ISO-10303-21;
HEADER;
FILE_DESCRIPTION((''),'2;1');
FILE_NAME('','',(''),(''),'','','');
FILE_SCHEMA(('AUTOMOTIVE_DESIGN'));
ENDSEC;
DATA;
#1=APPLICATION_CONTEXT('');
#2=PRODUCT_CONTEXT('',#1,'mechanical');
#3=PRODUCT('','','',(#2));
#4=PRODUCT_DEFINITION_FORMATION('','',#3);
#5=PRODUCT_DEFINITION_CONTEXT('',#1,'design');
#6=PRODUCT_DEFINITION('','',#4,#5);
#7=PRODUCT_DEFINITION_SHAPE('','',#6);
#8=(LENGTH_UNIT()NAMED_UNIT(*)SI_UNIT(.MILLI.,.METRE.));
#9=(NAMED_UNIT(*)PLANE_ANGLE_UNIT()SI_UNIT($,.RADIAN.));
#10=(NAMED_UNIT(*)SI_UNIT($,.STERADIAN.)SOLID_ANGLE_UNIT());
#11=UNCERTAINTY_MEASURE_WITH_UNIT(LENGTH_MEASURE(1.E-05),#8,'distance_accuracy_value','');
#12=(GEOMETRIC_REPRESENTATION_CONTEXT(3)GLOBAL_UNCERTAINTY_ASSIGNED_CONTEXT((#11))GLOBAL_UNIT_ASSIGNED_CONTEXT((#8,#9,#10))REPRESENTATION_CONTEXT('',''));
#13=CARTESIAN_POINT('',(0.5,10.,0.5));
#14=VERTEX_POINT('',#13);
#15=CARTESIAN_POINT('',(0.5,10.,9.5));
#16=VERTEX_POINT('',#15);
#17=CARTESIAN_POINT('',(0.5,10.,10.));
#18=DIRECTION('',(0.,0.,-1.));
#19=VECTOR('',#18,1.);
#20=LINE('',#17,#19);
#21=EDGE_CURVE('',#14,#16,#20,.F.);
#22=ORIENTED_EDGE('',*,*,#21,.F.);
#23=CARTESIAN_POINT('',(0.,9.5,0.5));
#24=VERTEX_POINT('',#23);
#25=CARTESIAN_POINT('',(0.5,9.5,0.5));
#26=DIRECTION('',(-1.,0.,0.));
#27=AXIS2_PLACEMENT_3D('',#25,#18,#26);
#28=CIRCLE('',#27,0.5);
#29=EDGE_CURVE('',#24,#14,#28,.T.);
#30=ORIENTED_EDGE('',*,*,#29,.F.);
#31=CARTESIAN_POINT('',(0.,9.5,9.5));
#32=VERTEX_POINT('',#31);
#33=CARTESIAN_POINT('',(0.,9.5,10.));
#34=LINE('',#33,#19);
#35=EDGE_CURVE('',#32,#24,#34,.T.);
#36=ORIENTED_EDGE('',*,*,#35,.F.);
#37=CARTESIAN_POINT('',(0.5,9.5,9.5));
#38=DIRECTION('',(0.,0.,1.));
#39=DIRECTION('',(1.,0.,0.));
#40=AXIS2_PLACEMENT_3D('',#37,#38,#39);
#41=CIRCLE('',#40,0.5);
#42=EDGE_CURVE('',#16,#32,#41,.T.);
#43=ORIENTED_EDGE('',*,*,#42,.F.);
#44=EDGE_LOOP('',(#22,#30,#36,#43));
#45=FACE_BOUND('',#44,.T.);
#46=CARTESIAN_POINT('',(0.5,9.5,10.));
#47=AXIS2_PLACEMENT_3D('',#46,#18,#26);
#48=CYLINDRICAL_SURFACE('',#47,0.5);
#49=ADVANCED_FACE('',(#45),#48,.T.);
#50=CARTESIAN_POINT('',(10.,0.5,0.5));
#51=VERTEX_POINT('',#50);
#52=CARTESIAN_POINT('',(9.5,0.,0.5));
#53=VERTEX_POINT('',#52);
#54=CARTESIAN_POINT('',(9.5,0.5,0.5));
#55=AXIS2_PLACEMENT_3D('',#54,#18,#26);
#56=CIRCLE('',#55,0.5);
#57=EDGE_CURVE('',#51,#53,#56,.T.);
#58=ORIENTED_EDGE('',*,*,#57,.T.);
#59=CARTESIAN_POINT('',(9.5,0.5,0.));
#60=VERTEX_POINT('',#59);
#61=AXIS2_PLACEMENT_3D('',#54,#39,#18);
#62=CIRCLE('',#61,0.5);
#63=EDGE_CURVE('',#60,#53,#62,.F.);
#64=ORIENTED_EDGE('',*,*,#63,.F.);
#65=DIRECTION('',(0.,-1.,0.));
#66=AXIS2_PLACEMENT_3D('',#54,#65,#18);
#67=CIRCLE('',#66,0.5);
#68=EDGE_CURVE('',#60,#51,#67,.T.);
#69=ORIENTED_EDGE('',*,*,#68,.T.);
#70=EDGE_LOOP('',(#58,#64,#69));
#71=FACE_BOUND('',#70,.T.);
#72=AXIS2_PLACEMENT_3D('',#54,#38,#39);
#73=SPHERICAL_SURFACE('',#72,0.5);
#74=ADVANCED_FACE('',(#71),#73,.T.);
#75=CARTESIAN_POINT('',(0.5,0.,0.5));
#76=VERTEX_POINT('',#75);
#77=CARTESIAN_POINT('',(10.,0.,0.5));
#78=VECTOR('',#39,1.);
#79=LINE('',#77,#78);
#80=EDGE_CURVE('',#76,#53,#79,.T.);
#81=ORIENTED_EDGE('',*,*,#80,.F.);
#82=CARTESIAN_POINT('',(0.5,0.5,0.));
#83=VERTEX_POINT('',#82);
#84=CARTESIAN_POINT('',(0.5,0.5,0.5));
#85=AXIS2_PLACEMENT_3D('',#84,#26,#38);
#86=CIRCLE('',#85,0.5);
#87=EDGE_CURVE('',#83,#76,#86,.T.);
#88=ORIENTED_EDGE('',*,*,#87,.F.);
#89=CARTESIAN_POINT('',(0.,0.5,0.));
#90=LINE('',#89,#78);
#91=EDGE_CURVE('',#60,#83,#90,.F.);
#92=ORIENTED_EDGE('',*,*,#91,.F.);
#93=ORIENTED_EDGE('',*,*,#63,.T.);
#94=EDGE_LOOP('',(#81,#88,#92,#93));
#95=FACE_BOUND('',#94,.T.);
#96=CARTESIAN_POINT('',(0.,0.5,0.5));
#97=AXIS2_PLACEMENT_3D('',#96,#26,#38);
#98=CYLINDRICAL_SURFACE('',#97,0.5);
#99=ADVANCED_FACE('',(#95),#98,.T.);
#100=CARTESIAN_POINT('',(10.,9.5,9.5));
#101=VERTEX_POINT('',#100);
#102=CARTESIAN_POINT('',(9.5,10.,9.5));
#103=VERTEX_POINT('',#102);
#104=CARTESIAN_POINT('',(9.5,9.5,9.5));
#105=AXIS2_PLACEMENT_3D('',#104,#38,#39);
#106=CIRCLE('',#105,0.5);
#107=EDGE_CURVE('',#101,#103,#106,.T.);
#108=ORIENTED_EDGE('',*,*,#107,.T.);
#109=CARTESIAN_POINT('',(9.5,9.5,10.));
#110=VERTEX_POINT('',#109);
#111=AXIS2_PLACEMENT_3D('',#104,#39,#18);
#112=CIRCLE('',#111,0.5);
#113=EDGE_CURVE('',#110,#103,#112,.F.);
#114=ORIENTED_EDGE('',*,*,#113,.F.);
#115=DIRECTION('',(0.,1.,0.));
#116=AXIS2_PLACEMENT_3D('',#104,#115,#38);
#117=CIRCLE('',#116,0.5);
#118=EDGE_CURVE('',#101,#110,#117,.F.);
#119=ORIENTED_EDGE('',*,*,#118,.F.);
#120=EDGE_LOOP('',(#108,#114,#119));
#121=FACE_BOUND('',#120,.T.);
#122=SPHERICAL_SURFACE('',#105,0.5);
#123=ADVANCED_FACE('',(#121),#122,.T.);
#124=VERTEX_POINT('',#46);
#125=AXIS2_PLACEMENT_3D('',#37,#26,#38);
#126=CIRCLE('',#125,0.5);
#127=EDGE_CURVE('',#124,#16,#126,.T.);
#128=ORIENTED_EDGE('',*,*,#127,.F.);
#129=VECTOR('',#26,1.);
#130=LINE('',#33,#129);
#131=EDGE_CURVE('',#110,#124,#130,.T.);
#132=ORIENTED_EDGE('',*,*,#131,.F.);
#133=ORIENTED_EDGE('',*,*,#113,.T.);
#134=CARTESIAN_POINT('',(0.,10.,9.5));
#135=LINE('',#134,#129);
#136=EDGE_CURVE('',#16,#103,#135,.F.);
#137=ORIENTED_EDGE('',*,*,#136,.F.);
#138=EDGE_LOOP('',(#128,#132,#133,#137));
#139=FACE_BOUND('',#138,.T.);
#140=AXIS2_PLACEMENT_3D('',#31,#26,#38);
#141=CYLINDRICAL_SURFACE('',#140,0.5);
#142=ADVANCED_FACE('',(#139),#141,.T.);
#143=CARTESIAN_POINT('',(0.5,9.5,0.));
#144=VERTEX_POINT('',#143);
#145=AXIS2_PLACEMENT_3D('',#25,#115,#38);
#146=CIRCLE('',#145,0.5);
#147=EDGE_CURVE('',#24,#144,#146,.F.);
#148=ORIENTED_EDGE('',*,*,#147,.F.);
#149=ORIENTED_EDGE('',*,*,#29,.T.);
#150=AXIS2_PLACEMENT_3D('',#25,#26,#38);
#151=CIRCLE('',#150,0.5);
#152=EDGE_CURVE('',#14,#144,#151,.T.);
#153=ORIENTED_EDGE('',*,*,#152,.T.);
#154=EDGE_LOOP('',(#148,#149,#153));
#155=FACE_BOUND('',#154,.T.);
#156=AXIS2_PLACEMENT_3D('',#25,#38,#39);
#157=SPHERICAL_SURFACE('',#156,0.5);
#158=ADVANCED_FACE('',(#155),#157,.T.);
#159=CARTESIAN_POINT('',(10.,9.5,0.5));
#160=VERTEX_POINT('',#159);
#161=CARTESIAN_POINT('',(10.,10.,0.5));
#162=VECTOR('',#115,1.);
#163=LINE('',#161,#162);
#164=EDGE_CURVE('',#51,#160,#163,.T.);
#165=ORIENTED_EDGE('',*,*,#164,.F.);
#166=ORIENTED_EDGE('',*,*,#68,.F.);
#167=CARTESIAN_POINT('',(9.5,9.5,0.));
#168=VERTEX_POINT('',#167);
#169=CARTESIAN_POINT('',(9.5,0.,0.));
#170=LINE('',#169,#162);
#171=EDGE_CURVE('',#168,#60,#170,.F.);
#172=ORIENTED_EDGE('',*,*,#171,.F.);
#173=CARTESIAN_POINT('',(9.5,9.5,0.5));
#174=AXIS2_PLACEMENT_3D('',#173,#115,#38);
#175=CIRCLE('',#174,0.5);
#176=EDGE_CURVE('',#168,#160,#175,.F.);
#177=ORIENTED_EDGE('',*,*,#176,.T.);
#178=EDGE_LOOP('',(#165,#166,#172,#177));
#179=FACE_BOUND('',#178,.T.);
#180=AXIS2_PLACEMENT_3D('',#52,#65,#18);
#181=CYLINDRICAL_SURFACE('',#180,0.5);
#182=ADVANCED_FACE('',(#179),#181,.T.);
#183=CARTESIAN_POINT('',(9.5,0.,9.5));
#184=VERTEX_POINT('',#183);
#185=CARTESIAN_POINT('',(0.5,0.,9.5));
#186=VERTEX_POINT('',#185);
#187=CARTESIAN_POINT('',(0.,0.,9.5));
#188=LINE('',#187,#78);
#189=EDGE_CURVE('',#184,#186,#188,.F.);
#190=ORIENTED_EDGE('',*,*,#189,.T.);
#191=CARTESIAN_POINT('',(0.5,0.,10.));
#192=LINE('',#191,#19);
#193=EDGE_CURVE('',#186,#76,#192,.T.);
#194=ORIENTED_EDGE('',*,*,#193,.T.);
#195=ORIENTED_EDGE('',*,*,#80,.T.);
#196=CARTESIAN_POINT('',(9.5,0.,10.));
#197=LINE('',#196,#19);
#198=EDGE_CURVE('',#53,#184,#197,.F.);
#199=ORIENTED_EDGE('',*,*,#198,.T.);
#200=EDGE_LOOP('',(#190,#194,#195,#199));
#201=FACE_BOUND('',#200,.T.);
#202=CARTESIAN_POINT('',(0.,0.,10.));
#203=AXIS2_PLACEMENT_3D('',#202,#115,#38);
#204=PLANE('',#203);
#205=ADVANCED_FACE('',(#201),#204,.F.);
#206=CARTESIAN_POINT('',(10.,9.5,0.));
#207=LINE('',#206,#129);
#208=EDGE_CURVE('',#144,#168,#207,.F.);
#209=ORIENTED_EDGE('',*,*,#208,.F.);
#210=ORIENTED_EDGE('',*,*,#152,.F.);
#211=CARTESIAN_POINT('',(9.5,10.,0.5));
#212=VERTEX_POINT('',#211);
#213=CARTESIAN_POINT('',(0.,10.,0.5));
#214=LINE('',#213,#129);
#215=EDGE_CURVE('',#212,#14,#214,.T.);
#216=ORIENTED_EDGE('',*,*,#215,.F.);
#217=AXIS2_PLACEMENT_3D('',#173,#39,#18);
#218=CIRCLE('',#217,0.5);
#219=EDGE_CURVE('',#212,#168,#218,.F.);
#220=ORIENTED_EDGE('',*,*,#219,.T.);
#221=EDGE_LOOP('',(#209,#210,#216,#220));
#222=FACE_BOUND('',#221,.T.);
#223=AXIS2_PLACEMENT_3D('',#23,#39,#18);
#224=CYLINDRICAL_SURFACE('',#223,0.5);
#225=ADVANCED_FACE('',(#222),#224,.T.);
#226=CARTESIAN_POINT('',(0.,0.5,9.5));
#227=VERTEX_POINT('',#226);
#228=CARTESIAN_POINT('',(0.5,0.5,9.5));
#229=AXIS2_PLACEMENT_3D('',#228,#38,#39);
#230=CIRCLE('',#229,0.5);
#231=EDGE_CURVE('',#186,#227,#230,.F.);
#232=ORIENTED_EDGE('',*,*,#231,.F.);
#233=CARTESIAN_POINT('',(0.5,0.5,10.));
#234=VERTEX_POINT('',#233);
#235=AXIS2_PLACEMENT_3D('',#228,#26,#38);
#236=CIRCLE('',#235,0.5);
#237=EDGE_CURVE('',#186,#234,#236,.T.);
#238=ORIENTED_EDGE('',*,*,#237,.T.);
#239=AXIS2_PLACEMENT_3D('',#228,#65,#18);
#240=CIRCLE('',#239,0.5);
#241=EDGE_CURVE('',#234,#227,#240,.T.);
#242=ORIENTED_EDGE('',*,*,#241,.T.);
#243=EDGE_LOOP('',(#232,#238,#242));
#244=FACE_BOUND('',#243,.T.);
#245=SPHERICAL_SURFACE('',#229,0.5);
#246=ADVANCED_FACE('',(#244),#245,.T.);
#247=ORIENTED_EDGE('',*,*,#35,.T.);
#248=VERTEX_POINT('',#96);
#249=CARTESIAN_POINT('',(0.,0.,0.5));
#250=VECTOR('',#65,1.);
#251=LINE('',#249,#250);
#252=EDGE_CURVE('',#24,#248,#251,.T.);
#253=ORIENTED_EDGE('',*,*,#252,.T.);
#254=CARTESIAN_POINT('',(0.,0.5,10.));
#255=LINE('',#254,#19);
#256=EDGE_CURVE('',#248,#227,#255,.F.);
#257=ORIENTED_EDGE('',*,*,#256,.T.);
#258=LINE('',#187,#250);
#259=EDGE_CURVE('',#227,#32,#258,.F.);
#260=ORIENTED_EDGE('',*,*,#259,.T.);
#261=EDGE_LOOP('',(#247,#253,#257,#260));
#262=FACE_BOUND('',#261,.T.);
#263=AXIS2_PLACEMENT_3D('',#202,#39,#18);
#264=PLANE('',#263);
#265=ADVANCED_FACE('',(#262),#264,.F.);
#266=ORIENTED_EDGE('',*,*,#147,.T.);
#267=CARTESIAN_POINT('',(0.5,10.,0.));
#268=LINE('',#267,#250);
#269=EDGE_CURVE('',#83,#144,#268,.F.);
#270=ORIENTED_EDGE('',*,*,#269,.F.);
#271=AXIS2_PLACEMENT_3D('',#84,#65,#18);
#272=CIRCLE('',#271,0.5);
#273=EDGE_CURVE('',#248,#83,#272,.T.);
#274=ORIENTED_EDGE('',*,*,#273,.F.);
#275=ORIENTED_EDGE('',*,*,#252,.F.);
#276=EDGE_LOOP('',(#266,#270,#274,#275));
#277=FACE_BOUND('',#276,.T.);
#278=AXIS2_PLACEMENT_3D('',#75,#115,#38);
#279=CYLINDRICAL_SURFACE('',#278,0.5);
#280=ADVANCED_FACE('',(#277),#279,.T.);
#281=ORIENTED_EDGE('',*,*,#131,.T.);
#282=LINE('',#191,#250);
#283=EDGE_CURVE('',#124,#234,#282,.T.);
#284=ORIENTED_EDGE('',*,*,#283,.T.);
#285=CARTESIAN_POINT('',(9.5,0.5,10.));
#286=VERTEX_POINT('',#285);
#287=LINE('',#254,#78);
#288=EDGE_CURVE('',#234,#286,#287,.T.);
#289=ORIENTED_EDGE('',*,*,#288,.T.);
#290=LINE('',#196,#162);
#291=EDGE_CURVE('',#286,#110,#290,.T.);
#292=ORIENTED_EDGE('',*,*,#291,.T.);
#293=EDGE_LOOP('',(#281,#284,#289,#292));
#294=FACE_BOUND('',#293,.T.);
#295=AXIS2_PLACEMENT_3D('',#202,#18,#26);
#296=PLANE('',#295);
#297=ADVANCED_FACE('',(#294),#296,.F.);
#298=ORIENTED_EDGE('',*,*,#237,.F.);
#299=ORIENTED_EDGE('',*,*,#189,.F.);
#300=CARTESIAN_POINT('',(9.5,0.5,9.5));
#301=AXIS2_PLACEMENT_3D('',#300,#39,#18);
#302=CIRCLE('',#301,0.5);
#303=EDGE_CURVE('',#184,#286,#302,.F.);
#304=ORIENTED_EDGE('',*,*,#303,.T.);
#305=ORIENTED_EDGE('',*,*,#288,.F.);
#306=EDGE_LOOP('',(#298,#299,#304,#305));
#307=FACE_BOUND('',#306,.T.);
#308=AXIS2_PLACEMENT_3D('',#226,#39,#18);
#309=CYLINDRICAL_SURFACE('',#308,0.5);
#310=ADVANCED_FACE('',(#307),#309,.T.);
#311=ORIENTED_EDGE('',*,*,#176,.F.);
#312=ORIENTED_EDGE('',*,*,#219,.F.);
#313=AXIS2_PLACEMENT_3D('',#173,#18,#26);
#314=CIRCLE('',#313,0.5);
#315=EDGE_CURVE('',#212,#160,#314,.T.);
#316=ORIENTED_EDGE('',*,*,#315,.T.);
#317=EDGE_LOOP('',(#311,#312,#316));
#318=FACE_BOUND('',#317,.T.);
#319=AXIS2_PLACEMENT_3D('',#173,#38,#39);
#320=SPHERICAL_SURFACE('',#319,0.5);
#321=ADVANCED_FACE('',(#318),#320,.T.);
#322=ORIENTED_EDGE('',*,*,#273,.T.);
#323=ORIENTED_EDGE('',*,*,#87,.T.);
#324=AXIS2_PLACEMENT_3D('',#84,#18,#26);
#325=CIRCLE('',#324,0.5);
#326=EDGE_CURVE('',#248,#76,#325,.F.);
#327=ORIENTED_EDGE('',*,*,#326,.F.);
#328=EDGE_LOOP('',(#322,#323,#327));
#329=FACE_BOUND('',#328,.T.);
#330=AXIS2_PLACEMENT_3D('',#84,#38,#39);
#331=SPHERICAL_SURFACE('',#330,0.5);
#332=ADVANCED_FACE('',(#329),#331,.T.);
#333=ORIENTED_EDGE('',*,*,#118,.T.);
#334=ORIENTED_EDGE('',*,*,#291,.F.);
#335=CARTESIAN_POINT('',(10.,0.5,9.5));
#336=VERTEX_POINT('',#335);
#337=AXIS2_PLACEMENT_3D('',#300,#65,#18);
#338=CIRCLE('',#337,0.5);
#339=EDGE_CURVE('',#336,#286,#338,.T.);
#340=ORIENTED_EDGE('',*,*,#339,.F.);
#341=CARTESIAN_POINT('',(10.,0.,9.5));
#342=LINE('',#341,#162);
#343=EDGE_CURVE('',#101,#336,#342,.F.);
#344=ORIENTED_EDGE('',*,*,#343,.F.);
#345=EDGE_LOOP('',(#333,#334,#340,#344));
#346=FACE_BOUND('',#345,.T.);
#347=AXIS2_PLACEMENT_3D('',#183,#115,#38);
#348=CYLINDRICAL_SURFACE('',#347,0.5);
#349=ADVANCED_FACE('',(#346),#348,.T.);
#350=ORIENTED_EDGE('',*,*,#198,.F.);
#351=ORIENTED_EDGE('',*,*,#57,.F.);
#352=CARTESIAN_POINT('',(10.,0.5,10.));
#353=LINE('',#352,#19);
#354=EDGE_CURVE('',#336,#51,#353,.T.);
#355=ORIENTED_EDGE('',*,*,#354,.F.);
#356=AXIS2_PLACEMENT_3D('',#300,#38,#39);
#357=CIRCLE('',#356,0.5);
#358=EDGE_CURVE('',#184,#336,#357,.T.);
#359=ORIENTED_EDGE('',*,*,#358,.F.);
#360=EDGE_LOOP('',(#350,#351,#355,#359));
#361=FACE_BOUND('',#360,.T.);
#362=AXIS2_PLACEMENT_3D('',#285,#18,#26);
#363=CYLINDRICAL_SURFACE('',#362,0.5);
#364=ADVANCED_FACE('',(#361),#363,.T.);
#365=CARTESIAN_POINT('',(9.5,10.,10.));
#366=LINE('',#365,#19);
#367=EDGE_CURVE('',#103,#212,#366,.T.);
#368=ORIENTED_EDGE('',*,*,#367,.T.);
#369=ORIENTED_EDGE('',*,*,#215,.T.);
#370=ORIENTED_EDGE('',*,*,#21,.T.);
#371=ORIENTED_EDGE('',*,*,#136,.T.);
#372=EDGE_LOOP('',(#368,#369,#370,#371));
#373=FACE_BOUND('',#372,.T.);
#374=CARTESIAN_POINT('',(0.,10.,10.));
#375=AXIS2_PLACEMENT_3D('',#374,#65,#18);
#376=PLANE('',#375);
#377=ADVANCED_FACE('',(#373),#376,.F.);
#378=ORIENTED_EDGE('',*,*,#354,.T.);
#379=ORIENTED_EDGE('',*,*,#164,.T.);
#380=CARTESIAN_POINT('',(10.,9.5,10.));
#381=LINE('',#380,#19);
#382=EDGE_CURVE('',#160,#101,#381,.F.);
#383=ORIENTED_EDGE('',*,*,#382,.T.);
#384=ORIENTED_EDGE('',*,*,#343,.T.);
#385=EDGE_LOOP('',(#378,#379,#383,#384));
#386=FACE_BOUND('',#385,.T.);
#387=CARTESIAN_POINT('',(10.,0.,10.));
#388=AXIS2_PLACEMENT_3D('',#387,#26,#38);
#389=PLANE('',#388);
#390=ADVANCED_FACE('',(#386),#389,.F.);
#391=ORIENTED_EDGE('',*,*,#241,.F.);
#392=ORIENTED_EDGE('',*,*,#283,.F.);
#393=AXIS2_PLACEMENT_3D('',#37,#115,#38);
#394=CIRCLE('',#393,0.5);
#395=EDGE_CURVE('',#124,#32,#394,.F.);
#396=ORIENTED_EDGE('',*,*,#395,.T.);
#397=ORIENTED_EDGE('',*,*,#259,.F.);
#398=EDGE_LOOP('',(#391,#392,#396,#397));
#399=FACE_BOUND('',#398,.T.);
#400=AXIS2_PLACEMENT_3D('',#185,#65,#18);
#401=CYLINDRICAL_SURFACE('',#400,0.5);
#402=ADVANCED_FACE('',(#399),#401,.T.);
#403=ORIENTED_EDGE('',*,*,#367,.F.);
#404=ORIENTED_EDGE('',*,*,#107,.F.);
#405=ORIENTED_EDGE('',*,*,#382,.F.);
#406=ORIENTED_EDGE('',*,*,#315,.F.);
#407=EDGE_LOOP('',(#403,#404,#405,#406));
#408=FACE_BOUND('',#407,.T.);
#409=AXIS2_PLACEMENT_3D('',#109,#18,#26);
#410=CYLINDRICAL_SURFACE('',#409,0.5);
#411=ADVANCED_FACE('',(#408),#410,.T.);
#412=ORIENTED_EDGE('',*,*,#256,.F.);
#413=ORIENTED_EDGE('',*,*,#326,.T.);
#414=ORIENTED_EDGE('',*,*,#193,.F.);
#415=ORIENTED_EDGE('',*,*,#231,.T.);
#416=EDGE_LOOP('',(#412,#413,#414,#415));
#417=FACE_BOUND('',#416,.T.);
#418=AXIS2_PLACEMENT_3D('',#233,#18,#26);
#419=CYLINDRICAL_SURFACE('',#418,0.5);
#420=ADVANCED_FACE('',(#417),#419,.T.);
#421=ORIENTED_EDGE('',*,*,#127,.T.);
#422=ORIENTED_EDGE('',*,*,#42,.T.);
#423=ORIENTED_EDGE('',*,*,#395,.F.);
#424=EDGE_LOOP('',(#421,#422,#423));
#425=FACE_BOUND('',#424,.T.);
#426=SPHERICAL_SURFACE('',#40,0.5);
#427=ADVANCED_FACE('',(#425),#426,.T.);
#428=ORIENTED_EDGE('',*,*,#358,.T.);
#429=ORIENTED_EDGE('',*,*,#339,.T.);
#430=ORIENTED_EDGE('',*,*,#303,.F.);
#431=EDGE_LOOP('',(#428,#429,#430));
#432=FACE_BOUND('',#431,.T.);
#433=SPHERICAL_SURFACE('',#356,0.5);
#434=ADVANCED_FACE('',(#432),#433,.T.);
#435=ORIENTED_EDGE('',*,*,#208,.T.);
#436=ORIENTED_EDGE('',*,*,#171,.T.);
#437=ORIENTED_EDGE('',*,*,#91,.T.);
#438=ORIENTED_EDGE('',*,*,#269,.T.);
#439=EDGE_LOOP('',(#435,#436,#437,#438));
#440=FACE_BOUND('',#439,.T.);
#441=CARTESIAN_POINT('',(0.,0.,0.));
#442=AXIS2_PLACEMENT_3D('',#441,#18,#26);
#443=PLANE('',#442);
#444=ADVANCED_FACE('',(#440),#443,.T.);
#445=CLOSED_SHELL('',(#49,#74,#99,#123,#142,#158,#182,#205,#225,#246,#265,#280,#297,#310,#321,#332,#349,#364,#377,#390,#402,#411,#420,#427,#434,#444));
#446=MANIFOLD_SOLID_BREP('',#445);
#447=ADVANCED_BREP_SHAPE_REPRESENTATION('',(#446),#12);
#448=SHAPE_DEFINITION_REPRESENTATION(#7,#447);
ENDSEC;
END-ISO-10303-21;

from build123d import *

# Parameters (mm, degrees)
SKETCH_1_W      = 10
SKETCH_1_H      = 10
EXTRUDE_1_DEPTH = 10
FILLET_1_R      = 0.5


with BuildPart() as part:
    # 草图1 → 凸台-拉伸1 (new body)
    with BuildSketch(Plane.XY):
        with Locations((5, 5)):
            Rectangle(SKETCH_1_W, SKETCH_1_H)
    extrude(amount=EXTRUDE_1_DEPTH)

    # 圆角1
    fillet_1_edges = [part.edges().sort_by_distance(p)[0] for p in [
        (10, 5, 10),
        (5, 10, 10),
        (0, 5, 10),
        (5, 10, 0),
        (10, 5, 0),
        (5, 0, 0),
        (0, 5, 0),
        (5, 0, 10),
        (0, 10, 5),
        (10, 10, 5),
        (10, 0, 5),
        (0, 0, 5),
    ]]
    fillet(fillet_1_edges, radius=FILLET_1_R)


solid = part.part
